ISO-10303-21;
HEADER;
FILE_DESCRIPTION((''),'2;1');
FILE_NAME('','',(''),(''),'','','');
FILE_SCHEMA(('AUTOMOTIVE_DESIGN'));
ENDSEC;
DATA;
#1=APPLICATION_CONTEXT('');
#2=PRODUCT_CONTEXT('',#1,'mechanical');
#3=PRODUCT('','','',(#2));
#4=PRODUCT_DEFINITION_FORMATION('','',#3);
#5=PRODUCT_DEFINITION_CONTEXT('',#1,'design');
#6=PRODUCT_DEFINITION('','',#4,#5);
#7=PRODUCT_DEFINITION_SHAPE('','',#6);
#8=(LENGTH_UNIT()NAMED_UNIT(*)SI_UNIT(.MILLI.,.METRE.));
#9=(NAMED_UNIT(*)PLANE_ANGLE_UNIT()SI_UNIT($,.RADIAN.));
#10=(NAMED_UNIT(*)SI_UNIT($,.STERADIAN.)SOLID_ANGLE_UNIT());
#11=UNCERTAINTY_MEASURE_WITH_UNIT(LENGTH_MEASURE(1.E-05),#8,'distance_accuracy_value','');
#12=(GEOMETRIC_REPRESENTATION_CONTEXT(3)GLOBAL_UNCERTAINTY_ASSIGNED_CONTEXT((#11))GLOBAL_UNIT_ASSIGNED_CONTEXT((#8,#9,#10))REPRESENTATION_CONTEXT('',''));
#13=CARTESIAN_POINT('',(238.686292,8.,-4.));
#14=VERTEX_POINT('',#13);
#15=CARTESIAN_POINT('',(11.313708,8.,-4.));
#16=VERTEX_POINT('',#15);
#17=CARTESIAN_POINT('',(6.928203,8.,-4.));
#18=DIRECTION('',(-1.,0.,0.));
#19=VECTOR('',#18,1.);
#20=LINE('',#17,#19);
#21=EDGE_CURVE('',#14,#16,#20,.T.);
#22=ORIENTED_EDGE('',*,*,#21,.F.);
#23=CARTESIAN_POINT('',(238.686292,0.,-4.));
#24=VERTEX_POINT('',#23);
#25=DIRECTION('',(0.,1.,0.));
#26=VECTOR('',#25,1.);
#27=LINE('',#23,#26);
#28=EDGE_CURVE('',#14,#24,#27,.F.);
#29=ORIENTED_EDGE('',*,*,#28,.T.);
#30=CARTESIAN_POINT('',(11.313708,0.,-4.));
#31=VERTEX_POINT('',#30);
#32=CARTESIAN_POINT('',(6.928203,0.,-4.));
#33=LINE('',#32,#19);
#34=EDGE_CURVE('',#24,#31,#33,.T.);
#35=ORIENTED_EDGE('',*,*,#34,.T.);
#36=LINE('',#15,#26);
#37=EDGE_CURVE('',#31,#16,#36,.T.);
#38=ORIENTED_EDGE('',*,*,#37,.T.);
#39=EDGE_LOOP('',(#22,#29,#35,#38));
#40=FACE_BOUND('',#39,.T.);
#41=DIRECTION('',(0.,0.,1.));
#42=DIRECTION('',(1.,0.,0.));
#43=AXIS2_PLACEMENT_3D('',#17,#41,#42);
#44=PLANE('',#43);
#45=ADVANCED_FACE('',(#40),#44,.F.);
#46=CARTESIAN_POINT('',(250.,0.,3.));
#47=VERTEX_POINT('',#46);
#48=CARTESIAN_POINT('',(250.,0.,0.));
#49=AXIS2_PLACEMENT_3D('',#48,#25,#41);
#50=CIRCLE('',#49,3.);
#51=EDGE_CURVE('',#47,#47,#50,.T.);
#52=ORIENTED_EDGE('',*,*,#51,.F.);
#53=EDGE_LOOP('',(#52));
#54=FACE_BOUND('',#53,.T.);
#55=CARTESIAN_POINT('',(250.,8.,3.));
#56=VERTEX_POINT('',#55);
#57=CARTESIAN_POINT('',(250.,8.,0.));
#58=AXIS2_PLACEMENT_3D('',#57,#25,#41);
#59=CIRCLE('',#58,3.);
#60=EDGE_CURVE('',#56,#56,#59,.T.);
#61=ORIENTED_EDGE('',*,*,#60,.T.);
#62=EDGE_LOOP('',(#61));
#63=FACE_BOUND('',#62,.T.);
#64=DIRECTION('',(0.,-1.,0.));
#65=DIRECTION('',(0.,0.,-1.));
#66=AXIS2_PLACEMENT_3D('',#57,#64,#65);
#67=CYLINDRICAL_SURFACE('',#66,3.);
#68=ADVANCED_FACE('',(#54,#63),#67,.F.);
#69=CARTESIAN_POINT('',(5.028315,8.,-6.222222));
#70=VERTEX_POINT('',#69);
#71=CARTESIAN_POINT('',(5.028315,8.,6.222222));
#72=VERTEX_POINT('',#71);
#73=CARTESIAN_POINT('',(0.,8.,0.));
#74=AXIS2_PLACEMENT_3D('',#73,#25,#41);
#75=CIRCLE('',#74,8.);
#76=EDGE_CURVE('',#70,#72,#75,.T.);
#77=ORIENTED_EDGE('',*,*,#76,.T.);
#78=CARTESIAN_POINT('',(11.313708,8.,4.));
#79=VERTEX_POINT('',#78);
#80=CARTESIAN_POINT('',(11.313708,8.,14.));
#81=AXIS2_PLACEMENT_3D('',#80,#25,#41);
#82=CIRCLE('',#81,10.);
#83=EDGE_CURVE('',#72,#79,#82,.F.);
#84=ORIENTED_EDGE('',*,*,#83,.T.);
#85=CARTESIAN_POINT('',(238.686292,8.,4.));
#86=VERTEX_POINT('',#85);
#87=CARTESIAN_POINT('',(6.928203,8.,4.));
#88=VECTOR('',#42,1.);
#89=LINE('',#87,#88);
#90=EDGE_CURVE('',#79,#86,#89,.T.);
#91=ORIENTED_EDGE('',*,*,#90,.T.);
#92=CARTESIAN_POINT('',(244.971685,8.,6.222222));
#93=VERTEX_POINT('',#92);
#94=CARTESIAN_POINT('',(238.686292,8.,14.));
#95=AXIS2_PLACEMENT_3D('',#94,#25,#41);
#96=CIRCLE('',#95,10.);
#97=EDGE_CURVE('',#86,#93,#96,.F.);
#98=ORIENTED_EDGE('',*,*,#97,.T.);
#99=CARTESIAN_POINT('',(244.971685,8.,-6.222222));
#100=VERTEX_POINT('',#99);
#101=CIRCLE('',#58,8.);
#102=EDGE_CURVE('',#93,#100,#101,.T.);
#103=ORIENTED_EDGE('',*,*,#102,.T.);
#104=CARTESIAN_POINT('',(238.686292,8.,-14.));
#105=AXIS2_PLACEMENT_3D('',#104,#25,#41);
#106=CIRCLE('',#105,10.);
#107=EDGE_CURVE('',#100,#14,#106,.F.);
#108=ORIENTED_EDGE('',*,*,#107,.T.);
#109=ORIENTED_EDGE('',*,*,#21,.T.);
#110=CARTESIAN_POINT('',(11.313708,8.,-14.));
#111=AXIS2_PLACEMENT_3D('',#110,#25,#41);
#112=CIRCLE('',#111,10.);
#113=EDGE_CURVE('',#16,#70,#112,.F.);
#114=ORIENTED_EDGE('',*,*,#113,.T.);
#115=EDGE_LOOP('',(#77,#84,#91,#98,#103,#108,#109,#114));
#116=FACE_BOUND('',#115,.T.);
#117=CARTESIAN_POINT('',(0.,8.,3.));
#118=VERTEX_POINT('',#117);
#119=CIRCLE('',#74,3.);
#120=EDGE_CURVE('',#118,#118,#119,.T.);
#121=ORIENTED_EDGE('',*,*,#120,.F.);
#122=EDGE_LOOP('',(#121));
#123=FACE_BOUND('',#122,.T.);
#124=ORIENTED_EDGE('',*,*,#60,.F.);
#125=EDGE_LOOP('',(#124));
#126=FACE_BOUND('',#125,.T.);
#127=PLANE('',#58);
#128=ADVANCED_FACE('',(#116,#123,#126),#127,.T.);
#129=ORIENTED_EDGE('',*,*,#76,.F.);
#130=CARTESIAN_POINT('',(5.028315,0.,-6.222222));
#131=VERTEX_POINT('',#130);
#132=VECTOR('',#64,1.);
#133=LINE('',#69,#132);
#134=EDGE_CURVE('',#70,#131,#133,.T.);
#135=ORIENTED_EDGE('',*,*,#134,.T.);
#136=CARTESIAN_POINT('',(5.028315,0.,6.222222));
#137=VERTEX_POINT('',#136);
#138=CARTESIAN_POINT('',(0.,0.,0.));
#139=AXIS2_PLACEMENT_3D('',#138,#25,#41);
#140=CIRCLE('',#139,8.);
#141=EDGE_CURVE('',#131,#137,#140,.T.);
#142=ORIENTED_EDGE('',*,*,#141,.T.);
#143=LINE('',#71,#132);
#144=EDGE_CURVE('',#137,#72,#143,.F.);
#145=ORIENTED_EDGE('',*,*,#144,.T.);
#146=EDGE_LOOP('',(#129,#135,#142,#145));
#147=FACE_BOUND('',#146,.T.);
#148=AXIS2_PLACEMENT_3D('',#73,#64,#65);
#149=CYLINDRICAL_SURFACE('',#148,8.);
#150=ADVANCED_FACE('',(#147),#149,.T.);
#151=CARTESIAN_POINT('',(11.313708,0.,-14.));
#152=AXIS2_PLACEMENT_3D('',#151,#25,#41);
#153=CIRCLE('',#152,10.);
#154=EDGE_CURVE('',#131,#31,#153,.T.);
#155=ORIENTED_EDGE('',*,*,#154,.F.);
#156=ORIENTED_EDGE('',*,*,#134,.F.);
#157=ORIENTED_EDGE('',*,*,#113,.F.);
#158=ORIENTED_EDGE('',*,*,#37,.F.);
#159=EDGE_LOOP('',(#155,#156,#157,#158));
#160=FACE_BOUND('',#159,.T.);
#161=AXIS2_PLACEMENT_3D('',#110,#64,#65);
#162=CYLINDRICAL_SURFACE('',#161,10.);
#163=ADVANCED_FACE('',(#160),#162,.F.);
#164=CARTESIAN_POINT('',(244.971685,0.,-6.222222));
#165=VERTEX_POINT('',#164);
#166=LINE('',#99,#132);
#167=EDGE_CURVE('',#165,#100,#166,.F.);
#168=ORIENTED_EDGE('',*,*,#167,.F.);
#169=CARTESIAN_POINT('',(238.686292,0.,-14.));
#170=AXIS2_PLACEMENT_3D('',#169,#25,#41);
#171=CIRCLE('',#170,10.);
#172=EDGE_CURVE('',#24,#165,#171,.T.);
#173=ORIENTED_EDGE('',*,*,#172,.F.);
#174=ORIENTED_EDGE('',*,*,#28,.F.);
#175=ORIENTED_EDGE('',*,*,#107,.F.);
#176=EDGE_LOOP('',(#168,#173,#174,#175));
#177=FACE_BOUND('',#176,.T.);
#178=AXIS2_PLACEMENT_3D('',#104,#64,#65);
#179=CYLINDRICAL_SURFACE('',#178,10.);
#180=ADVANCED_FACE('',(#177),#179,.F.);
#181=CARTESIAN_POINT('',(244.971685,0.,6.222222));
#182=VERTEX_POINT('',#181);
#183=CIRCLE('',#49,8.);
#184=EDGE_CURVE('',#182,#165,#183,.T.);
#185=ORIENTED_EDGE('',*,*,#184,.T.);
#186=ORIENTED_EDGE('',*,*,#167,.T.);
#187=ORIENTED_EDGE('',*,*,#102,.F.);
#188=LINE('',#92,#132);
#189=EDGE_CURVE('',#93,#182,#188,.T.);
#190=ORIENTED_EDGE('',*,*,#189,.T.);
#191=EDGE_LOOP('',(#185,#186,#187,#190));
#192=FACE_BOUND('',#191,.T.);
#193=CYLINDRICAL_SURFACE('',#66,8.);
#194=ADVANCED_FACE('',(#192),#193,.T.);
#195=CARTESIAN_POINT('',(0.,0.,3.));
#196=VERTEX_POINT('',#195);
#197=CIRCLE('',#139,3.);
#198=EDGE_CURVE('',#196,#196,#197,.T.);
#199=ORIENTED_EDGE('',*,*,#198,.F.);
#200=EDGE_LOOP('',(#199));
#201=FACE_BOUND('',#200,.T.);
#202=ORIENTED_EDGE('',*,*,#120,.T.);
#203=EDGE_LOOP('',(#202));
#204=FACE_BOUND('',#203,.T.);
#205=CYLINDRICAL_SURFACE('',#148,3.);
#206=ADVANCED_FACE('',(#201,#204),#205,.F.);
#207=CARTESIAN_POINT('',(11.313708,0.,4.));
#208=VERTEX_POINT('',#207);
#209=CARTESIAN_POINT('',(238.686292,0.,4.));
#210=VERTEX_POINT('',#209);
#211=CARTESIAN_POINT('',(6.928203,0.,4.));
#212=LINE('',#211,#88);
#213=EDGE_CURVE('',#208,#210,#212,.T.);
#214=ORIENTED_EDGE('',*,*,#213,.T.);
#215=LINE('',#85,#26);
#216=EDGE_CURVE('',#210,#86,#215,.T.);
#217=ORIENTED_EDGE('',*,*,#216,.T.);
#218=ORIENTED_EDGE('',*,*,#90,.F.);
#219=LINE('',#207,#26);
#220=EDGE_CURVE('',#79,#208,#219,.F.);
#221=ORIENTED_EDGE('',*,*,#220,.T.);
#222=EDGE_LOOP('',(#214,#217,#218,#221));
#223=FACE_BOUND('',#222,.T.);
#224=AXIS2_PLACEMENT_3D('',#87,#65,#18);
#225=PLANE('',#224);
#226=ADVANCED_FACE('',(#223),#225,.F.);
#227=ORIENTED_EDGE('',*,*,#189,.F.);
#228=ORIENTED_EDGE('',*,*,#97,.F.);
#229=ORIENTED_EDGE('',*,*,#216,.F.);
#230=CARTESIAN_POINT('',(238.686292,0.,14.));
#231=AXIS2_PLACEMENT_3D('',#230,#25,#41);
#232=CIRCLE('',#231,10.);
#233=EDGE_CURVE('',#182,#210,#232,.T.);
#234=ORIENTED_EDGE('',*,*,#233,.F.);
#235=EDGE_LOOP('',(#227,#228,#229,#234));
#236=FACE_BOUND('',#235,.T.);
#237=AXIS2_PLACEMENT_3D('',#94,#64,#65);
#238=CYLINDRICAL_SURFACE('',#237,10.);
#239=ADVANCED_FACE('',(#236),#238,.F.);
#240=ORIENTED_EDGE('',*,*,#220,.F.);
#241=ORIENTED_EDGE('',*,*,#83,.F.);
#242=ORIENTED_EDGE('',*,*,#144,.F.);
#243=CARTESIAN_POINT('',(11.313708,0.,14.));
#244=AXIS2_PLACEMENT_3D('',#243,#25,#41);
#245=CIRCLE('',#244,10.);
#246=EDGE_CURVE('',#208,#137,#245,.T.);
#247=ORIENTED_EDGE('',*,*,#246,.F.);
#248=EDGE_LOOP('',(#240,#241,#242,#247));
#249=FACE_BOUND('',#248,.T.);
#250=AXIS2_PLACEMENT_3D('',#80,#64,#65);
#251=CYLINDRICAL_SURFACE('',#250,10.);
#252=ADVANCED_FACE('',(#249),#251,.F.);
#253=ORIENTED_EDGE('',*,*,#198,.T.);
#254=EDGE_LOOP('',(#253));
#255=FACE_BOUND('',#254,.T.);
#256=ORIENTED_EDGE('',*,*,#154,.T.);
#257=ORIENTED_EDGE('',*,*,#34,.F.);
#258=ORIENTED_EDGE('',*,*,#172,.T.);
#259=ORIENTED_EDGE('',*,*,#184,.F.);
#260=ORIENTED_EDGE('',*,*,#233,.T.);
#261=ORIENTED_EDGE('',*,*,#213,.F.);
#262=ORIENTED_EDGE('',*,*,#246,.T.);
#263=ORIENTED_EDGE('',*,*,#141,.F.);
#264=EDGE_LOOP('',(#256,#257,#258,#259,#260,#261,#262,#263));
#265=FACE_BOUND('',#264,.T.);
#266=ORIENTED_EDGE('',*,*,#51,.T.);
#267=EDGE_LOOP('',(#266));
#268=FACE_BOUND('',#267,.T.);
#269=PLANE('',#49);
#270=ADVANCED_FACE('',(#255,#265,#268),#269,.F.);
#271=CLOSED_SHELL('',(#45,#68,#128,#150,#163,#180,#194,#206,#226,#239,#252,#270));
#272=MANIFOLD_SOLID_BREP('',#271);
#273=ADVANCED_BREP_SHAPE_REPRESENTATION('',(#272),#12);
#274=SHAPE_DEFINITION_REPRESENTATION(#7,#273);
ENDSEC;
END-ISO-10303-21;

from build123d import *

# Parameters (mm, degrees)
SKETCH_1_R      = 3
EXTRUDE_1_DEPTH = 8
FILLET_1_R      = 10


with BuildPart() as part:
    # 草图1 → 凸台-拉伸1 (new body)
    with BuildSketch(Plane(origin=(0, 0, 0), x_dir=(1, 0, 0), z_dir=(0, 1, 0))):
        with BuildLine():
            Line((6.92820323, 4), (243.07179677, 4))
            ThreePointArc((243.07179677, 4), (258, 0), (243.07179677, -4))
            Line((243.07179677, -4), (6.92820323, -4))
            ThreePointArc((6.92820323, -4), (-8, 0), (6.92820323, 4))
        make_face()
        with Locations(Location((0, 0, 0), (0, 0, 270))):
            Circle(SKETCH_1_R, mode=Mode.SUBTRACT)
        with Locations(Location((250, 0, 0), (0, 0, 270))):
            Circle(SKETCH_1_R, mode=Mode.SUBTRACT)
    extrude(amount=EXTRUDE_1_DEPTH)

    # 圆角1
    fillet_1_edges = [part.edges().sort_by_distance(p)[0] for p in [
        (243.07179677, 4, 4),
        (6.92820323, 4, 4),
        (6.92820323, 4, -4),
        (243.07179677, 4, -4),
    ]]
    fillet(fillet_1_edges, radius=FILLET_1_R)


solid = part.part
